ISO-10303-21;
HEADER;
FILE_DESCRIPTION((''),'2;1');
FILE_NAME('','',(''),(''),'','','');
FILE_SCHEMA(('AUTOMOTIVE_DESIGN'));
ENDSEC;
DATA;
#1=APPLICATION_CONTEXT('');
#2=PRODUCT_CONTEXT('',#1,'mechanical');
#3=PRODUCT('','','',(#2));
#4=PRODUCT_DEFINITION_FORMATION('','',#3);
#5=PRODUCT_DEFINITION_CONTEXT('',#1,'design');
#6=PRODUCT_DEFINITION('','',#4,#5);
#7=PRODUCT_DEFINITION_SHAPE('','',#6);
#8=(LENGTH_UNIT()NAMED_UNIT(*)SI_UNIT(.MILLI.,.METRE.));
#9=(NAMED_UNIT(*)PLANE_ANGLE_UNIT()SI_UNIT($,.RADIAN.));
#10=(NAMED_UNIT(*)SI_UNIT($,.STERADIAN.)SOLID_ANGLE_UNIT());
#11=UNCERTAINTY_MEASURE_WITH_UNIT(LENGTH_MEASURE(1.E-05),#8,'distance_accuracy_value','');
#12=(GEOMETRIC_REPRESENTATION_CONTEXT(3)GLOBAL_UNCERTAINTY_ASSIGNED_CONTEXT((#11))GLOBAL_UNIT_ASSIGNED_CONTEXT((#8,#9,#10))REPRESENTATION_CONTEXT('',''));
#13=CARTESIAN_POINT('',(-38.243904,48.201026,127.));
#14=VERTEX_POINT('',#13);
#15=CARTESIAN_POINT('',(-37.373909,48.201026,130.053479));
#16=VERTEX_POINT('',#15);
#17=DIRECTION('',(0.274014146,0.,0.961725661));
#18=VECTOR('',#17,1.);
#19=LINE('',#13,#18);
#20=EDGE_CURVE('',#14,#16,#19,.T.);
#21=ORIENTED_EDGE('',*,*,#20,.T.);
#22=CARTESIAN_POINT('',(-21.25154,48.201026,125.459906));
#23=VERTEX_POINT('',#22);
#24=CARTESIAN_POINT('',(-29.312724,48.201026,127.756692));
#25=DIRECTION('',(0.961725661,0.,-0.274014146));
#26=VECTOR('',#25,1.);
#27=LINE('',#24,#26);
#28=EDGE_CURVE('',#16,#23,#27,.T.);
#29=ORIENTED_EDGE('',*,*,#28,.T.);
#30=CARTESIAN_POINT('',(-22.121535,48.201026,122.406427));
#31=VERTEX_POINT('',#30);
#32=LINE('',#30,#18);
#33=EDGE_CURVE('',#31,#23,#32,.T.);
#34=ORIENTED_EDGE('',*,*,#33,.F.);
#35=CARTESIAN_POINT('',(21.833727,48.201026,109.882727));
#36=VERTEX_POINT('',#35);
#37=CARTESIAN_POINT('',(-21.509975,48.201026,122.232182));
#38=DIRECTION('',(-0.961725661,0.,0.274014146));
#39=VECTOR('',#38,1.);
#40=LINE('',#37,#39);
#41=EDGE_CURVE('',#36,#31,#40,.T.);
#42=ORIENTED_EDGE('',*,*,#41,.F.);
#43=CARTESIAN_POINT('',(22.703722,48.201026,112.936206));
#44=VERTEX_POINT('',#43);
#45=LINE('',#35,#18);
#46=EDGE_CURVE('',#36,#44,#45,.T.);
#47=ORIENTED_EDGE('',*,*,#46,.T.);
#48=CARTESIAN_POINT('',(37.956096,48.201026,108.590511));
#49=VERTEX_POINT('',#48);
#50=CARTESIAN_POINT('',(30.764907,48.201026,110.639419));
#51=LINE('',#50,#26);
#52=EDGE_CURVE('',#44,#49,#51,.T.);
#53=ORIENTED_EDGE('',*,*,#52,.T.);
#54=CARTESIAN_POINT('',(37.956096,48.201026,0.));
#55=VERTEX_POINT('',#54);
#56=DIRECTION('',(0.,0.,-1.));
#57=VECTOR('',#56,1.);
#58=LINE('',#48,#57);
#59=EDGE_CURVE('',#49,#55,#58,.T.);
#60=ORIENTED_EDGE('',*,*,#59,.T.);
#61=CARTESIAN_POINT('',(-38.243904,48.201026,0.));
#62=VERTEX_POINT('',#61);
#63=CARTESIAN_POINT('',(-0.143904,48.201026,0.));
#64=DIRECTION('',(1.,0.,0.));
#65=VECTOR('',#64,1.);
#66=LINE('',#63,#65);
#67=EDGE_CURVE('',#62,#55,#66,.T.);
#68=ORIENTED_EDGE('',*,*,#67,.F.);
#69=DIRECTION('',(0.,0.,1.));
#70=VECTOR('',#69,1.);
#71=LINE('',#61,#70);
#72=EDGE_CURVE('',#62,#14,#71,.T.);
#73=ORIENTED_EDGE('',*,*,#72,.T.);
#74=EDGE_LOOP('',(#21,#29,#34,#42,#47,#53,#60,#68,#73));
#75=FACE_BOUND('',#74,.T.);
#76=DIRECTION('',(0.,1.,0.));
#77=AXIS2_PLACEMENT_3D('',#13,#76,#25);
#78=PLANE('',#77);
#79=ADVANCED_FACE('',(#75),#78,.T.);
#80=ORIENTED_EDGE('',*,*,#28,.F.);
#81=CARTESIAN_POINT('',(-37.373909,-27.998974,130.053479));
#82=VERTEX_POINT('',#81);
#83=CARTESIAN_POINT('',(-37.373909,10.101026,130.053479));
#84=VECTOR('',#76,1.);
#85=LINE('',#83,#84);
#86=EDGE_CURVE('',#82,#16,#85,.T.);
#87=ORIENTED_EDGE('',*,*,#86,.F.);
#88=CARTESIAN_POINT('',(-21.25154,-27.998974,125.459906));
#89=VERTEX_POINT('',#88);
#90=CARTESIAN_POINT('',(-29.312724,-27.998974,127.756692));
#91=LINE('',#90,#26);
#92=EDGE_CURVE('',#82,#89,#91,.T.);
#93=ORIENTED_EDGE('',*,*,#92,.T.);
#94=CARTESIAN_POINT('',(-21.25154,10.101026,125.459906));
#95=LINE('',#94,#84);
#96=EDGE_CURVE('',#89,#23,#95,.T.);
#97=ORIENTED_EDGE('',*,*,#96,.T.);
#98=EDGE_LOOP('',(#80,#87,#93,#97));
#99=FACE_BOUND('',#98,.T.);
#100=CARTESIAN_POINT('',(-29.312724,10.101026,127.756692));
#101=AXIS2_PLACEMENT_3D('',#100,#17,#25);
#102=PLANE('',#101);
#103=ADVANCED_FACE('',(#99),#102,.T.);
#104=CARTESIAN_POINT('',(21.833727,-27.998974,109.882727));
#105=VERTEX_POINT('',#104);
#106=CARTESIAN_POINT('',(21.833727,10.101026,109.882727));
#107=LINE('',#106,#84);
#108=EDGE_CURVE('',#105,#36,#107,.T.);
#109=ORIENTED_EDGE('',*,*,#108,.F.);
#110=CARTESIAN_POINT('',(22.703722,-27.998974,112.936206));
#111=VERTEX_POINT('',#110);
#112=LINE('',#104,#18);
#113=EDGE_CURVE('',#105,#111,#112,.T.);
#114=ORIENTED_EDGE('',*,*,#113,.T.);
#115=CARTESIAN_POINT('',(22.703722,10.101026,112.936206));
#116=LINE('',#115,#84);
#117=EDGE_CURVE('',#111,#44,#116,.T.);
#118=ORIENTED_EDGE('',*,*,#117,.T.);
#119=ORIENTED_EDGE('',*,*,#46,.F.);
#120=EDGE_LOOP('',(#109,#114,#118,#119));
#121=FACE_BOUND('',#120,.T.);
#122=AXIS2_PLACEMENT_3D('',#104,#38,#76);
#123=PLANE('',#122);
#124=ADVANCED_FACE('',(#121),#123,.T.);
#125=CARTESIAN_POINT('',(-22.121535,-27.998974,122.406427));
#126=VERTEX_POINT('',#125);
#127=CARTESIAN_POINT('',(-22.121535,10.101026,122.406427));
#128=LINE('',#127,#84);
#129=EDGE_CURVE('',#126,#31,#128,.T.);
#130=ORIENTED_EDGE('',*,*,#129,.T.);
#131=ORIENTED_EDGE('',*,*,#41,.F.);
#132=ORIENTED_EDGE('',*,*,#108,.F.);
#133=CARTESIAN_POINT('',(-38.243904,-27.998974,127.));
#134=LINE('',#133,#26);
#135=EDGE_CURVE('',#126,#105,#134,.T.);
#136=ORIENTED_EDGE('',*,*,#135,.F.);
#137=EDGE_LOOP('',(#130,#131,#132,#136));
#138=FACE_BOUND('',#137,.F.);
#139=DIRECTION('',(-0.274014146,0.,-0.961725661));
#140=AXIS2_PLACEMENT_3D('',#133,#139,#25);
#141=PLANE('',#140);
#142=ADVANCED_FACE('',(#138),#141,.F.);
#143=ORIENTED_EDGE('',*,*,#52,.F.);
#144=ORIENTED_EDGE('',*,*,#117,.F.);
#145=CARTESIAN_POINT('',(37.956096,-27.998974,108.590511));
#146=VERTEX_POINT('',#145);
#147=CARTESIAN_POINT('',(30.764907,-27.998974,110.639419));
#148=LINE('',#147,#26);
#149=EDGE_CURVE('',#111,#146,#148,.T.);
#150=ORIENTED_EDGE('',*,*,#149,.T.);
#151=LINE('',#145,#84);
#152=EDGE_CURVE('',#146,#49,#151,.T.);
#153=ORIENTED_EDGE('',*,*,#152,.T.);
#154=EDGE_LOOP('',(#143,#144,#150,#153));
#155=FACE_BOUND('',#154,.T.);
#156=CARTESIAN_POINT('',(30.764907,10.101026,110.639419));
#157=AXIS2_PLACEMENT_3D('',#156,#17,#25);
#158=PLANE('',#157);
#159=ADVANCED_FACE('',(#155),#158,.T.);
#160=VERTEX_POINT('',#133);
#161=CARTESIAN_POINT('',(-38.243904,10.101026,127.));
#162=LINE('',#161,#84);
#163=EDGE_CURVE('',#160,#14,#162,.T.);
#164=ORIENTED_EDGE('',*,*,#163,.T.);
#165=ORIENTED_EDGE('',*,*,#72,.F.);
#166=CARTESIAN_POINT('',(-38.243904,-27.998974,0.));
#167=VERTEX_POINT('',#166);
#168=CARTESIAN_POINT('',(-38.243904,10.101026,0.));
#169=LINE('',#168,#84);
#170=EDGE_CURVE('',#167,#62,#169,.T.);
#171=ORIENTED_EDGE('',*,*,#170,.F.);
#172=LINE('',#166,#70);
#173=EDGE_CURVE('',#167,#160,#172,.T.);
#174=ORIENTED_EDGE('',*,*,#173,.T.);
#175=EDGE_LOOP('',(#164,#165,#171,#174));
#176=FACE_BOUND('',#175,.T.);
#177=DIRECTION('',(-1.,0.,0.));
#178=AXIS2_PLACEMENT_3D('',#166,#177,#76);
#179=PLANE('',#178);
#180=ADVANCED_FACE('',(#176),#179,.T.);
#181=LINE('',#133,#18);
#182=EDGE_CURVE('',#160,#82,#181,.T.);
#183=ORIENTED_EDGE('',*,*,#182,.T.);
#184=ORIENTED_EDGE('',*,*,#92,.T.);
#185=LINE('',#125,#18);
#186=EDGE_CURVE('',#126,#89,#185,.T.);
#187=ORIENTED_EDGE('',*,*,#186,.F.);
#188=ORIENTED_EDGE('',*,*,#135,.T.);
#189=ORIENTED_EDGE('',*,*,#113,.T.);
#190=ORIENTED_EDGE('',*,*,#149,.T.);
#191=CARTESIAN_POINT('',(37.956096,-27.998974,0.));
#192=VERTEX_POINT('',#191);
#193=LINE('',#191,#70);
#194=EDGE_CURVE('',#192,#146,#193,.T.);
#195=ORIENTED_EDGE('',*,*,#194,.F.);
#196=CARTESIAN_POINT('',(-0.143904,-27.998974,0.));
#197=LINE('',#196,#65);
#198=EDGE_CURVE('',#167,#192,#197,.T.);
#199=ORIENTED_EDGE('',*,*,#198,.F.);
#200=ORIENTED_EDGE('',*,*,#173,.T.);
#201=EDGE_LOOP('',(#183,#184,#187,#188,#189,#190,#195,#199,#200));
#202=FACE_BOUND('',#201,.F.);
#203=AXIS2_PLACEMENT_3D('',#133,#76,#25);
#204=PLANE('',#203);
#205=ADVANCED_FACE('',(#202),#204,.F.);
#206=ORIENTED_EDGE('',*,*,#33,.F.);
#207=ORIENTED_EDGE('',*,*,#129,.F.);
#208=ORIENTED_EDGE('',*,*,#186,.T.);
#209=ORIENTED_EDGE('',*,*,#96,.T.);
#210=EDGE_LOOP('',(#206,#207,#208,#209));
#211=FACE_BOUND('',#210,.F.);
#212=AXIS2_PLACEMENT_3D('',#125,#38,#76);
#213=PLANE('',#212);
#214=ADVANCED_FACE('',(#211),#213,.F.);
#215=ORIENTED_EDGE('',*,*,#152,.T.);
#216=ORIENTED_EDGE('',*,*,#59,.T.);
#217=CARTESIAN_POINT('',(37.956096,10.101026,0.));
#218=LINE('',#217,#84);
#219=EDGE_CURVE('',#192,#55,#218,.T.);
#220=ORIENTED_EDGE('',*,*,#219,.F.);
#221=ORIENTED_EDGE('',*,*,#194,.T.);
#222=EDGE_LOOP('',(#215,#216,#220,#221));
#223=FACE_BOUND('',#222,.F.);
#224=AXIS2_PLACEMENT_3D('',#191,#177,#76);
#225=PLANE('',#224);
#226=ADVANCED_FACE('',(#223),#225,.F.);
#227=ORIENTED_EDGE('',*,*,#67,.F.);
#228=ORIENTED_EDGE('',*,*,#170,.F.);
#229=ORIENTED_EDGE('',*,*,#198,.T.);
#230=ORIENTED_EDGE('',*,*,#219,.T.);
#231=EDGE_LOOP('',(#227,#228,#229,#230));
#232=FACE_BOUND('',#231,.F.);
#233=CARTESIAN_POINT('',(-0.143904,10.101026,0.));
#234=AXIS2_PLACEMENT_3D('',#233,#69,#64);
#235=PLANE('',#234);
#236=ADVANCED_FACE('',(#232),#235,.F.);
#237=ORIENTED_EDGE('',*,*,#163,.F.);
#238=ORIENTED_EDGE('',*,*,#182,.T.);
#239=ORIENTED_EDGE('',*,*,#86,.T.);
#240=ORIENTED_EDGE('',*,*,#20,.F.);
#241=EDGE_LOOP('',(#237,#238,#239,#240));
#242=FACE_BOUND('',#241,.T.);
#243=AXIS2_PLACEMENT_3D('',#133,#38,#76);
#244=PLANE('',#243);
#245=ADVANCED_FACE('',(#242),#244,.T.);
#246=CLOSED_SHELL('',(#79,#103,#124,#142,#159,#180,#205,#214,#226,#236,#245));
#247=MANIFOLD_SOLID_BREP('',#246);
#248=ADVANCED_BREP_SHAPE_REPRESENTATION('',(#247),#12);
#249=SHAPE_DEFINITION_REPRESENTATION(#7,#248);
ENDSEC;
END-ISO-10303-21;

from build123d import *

# Parameters (mm, degrees)
F0_W     = 76.2
F0_H     = 76.2
F1_DEPTH = 127
F3_DEPTH = 76.201
F4_W     = 16.764
F4_H     = 76.2
F5_DEPTH = 3.175
F7_DEPTH = 76.201


with BuildPart() as f1:
    # F0 (on Top) → F1 (new body)
    with BuildSketch(Plane.XY):
        with Locations((-0.143903846, 10.1010264666)):
            Rectangle(F0_W, F0_H)
    extrude(amount=F1_DEPTH)

    # F2 (on face) → F3 (cut, through all)
    with BuildSketch(Plane.XZ.offset(27.9989735334)):
        Polygon((37.956096154, 127), (-38.243903846, 127), (37.956096154, 105.2891537547), align=None)
    extrude(amount=-F3_DEPTH, mode=Mode.SUBTRACT)

    # F4 (on face) → F5 (join)
    with BuildSketch(Plane(origin=(30.5963615899, 0, 107.3860837485), x_dir=(0.9617256613, 0, -0.2740141465), z_dir=(0.2740141465, 0, 0.9617256613))):
        with Locations((-63.1979403185, 10.1010264666)):
            Rectangle(F4_W, F4_H)
        with Locations((-0.7293659272, 10.1010264666)):
            Rectangle(F4_W, F4_H)
    extrude(amount=F5_DEPTH)

    # F6 (on face) → F7 (cut, through all)
    with BuildSketch(Plane.XZ.offset(27.9989735334)):
        Polygon((37.956096154, 108.590511021), (37.956096154, 105.2891537547), (38.826091069, 108.3426327292), align=None)
    extrude(amount=-F7_DEPTH, mode=Mode.SUBTRACT)


solid = f1.part
